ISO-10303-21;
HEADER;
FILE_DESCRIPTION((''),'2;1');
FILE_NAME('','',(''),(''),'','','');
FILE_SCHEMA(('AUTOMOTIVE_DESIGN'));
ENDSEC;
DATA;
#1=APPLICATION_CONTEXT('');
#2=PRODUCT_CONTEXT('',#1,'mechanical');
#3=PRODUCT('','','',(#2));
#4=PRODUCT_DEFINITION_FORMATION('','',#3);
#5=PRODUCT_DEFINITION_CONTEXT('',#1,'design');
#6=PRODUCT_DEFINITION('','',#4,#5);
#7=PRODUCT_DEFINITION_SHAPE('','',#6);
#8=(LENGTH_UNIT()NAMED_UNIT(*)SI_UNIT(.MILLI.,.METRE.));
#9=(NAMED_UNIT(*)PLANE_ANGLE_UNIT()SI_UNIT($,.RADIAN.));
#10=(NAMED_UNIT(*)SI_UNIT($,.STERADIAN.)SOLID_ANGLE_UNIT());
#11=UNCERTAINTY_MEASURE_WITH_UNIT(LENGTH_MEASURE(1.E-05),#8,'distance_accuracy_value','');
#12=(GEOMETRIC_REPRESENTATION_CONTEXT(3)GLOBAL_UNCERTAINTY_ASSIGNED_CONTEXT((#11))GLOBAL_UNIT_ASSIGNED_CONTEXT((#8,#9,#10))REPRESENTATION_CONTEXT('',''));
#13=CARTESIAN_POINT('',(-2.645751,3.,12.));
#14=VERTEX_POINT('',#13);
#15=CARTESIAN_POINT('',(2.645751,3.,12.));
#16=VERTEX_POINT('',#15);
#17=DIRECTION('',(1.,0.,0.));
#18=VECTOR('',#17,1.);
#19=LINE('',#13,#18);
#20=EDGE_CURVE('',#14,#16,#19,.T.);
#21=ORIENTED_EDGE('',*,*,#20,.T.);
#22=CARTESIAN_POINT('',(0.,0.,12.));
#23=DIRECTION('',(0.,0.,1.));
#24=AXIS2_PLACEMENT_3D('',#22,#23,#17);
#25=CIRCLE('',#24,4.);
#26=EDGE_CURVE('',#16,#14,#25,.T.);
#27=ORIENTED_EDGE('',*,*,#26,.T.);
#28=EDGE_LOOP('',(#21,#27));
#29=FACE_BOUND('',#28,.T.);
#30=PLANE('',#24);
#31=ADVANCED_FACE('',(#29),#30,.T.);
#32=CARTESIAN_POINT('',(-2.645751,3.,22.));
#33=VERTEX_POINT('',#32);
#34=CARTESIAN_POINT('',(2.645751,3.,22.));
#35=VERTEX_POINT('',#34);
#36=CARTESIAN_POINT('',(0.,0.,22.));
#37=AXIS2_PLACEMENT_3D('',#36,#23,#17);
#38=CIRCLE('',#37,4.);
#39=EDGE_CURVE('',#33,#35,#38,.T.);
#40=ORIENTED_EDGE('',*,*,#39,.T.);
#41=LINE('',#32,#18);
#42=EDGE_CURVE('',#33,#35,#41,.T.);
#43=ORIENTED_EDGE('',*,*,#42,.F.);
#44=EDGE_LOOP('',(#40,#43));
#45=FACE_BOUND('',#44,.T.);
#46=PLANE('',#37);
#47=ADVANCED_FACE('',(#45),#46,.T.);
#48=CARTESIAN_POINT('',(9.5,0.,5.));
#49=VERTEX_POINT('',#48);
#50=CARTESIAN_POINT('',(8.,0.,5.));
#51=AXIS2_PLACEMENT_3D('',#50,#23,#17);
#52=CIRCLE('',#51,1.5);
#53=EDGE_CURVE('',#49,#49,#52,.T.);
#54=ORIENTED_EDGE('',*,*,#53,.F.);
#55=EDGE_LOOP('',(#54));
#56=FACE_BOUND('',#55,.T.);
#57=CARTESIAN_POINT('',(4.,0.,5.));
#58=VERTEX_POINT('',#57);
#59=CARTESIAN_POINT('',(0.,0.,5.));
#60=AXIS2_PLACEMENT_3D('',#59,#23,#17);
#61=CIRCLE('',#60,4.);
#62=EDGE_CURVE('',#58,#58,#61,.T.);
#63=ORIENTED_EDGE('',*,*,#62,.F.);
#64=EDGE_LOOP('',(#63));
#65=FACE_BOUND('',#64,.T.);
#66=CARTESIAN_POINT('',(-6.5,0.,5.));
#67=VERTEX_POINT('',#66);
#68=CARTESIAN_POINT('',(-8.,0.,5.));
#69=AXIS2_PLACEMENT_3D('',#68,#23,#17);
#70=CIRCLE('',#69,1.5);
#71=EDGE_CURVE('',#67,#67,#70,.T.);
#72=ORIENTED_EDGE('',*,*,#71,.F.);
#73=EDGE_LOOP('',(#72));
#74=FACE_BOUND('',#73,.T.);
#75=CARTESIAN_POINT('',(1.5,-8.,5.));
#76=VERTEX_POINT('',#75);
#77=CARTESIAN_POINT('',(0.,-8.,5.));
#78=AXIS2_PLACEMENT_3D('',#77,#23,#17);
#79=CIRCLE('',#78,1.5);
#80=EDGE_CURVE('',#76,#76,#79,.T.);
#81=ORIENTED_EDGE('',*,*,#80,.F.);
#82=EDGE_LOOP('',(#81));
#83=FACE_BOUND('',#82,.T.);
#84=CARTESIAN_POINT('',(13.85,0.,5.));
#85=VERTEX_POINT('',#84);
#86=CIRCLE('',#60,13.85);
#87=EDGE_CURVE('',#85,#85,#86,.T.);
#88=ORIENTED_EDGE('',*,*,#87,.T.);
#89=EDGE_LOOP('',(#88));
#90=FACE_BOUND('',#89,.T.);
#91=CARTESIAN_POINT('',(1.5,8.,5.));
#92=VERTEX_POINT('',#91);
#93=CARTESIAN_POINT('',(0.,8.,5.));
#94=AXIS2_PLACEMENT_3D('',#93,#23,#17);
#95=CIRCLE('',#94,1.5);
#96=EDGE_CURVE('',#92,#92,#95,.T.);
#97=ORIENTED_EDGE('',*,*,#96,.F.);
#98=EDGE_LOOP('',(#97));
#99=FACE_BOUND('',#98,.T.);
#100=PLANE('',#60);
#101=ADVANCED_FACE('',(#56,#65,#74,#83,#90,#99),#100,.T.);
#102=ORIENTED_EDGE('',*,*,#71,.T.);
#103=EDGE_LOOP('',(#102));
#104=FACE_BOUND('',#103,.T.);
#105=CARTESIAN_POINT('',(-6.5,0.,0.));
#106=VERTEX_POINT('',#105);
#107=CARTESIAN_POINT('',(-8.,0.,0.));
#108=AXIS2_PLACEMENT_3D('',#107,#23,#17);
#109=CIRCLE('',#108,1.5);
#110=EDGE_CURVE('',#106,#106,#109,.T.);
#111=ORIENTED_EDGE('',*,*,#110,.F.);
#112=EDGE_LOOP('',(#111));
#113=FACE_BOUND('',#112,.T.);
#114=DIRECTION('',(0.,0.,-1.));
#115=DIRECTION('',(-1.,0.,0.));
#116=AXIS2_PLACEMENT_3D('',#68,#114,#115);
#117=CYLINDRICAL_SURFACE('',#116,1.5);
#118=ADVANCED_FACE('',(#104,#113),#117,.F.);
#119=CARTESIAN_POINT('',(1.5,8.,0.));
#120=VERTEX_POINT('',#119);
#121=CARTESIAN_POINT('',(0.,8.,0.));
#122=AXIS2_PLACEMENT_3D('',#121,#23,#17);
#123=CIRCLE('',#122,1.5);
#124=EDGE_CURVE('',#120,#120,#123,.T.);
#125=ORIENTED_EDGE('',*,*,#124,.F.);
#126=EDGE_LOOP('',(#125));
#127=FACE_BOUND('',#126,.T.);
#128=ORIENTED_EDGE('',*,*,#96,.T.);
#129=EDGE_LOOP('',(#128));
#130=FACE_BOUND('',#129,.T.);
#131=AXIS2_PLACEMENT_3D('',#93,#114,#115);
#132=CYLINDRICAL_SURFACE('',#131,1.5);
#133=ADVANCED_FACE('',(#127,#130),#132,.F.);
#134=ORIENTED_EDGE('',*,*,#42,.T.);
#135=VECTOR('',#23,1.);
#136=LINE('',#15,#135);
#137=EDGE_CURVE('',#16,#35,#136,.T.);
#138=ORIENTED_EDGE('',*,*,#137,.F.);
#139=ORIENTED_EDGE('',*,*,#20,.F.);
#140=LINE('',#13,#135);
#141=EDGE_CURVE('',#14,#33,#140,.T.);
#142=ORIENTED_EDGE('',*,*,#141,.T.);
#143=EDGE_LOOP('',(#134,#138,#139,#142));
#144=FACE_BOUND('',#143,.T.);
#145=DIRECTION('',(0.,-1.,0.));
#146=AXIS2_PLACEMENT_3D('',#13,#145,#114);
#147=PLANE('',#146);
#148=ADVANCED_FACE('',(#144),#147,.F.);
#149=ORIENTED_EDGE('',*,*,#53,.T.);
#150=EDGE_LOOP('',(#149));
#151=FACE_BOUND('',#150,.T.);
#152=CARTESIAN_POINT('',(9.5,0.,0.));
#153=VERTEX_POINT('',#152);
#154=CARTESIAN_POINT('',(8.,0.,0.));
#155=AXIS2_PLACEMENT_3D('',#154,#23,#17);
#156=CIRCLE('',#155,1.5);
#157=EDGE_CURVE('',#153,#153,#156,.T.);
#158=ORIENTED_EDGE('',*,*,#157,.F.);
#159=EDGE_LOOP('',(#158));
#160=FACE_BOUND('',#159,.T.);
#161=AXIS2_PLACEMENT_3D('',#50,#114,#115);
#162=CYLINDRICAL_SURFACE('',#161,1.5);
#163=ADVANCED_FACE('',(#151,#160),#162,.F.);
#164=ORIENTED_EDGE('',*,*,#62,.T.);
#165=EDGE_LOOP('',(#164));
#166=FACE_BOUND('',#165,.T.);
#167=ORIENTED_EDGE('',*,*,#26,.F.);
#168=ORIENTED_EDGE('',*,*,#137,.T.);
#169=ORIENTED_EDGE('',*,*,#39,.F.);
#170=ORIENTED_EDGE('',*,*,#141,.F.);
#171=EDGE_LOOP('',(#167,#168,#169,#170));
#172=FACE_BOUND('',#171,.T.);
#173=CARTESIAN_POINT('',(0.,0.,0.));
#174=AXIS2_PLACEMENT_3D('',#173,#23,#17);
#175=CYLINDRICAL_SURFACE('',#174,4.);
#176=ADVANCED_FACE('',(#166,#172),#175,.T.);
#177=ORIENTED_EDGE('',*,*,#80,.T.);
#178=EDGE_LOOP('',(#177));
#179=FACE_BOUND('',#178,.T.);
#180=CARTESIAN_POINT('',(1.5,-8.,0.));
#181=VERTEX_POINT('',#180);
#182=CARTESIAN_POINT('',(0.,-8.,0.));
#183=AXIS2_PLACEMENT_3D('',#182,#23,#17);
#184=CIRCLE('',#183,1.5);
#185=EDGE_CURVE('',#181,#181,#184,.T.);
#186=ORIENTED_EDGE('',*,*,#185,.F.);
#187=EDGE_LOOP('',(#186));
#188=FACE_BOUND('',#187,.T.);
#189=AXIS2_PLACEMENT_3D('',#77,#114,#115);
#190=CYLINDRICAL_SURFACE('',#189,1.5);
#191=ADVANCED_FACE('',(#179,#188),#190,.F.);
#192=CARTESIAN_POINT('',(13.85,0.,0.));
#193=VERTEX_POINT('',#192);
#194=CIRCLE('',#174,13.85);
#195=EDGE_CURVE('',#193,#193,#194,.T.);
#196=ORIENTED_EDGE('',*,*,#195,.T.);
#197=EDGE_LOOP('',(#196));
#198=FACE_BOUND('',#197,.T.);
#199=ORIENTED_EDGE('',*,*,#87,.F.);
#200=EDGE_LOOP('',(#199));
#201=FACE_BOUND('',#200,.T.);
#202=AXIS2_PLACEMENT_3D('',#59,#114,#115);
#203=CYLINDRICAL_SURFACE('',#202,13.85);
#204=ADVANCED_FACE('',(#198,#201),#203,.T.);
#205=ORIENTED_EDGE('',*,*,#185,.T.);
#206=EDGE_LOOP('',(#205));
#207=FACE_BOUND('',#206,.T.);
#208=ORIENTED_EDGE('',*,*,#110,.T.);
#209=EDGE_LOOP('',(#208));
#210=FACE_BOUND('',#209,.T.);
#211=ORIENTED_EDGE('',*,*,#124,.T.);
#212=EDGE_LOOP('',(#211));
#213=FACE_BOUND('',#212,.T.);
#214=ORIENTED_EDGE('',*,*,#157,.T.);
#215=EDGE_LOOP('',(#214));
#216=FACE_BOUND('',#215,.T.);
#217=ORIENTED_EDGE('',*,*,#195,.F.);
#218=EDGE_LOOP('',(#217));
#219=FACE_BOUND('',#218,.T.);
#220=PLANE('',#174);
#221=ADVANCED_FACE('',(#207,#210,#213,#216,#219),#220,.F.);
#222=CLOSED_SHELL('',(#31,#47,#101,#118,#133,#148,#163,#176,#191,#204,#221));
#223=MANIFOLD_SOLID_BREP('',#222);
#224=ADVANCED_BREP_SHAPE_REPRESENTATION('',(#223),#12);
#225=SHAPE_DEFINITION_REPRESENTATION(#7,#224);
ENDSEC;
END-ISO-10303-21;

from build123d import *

# Parameters (mm, degrees)
SKETCH2_R                = 13.85
SKETCH2_R_2              = 4
SKETCH2_R_3              = 1.5
BOSS_EXTRUDE1_DEPTH      = 5
SKETCH3_R                = 4
BOSS_EXTRUDE2_DEPTH      = 17
BOSS_EXTRUDE2_DEPTH_BACK = 5
CUT_EXTRUDE1_DEPTH       = 10


with BuildPart() as part:
    # Sketch2 → Boss-Extrude1 (new body)
    with BuildSketch(Plane.XY):
        Circle(SKETCH2_R)
        Circle(SKETCH2_R_2, mode=Mode.SUBTRACT)
        with Locations((0, 8)):
            Circle(SKETCH2_R_3, mode=Mode.SUBTRACT)
        with Locations((-8, 0)):
            Circle(SKETCH2_R_3, mode=Mode.SUBTRACT)
        with Locations((8, 0)):
            Circle(SKETCH2_R_3, mode=Mode.SUBTRACT)
        with Locations((0, -8)):
            Circle(SKETCH2_R_3, mode=Mode.SUBTRACT)
    extrude(amount=BOSS_EXTRUDE1_DEPTH)

    # Sketch3 → Boss-Extrude2 (add, two sides)
    with BuildSketch(Plane.XY.offset(5)) as boss_extrude2_sk:
        Circle(SKETCH3_R)
    extrude(amount=BOSS_EXTRUDE2_DEPTH)
    extrude(boss_extrude2_sk.sketch, amount=-BOSS_EXTRUDE2_DEPTH_BACK)

    # Sketch4 → Cut-Extrude1 (cut)
    with BuildSketch(Plane.XY.offset(22)):
        with BuildLine():
            Line((-2.645751311, 3), (2.645751311, 3))
            ThreePointArc((2.645751311, 3), (0, 4), (-2.645751311, 3))
        make_face()
    extrude(amount=-CUT_EXTRUDE1_DEPTH, mode=Mode.SUBTRACT)


solid = part.part
